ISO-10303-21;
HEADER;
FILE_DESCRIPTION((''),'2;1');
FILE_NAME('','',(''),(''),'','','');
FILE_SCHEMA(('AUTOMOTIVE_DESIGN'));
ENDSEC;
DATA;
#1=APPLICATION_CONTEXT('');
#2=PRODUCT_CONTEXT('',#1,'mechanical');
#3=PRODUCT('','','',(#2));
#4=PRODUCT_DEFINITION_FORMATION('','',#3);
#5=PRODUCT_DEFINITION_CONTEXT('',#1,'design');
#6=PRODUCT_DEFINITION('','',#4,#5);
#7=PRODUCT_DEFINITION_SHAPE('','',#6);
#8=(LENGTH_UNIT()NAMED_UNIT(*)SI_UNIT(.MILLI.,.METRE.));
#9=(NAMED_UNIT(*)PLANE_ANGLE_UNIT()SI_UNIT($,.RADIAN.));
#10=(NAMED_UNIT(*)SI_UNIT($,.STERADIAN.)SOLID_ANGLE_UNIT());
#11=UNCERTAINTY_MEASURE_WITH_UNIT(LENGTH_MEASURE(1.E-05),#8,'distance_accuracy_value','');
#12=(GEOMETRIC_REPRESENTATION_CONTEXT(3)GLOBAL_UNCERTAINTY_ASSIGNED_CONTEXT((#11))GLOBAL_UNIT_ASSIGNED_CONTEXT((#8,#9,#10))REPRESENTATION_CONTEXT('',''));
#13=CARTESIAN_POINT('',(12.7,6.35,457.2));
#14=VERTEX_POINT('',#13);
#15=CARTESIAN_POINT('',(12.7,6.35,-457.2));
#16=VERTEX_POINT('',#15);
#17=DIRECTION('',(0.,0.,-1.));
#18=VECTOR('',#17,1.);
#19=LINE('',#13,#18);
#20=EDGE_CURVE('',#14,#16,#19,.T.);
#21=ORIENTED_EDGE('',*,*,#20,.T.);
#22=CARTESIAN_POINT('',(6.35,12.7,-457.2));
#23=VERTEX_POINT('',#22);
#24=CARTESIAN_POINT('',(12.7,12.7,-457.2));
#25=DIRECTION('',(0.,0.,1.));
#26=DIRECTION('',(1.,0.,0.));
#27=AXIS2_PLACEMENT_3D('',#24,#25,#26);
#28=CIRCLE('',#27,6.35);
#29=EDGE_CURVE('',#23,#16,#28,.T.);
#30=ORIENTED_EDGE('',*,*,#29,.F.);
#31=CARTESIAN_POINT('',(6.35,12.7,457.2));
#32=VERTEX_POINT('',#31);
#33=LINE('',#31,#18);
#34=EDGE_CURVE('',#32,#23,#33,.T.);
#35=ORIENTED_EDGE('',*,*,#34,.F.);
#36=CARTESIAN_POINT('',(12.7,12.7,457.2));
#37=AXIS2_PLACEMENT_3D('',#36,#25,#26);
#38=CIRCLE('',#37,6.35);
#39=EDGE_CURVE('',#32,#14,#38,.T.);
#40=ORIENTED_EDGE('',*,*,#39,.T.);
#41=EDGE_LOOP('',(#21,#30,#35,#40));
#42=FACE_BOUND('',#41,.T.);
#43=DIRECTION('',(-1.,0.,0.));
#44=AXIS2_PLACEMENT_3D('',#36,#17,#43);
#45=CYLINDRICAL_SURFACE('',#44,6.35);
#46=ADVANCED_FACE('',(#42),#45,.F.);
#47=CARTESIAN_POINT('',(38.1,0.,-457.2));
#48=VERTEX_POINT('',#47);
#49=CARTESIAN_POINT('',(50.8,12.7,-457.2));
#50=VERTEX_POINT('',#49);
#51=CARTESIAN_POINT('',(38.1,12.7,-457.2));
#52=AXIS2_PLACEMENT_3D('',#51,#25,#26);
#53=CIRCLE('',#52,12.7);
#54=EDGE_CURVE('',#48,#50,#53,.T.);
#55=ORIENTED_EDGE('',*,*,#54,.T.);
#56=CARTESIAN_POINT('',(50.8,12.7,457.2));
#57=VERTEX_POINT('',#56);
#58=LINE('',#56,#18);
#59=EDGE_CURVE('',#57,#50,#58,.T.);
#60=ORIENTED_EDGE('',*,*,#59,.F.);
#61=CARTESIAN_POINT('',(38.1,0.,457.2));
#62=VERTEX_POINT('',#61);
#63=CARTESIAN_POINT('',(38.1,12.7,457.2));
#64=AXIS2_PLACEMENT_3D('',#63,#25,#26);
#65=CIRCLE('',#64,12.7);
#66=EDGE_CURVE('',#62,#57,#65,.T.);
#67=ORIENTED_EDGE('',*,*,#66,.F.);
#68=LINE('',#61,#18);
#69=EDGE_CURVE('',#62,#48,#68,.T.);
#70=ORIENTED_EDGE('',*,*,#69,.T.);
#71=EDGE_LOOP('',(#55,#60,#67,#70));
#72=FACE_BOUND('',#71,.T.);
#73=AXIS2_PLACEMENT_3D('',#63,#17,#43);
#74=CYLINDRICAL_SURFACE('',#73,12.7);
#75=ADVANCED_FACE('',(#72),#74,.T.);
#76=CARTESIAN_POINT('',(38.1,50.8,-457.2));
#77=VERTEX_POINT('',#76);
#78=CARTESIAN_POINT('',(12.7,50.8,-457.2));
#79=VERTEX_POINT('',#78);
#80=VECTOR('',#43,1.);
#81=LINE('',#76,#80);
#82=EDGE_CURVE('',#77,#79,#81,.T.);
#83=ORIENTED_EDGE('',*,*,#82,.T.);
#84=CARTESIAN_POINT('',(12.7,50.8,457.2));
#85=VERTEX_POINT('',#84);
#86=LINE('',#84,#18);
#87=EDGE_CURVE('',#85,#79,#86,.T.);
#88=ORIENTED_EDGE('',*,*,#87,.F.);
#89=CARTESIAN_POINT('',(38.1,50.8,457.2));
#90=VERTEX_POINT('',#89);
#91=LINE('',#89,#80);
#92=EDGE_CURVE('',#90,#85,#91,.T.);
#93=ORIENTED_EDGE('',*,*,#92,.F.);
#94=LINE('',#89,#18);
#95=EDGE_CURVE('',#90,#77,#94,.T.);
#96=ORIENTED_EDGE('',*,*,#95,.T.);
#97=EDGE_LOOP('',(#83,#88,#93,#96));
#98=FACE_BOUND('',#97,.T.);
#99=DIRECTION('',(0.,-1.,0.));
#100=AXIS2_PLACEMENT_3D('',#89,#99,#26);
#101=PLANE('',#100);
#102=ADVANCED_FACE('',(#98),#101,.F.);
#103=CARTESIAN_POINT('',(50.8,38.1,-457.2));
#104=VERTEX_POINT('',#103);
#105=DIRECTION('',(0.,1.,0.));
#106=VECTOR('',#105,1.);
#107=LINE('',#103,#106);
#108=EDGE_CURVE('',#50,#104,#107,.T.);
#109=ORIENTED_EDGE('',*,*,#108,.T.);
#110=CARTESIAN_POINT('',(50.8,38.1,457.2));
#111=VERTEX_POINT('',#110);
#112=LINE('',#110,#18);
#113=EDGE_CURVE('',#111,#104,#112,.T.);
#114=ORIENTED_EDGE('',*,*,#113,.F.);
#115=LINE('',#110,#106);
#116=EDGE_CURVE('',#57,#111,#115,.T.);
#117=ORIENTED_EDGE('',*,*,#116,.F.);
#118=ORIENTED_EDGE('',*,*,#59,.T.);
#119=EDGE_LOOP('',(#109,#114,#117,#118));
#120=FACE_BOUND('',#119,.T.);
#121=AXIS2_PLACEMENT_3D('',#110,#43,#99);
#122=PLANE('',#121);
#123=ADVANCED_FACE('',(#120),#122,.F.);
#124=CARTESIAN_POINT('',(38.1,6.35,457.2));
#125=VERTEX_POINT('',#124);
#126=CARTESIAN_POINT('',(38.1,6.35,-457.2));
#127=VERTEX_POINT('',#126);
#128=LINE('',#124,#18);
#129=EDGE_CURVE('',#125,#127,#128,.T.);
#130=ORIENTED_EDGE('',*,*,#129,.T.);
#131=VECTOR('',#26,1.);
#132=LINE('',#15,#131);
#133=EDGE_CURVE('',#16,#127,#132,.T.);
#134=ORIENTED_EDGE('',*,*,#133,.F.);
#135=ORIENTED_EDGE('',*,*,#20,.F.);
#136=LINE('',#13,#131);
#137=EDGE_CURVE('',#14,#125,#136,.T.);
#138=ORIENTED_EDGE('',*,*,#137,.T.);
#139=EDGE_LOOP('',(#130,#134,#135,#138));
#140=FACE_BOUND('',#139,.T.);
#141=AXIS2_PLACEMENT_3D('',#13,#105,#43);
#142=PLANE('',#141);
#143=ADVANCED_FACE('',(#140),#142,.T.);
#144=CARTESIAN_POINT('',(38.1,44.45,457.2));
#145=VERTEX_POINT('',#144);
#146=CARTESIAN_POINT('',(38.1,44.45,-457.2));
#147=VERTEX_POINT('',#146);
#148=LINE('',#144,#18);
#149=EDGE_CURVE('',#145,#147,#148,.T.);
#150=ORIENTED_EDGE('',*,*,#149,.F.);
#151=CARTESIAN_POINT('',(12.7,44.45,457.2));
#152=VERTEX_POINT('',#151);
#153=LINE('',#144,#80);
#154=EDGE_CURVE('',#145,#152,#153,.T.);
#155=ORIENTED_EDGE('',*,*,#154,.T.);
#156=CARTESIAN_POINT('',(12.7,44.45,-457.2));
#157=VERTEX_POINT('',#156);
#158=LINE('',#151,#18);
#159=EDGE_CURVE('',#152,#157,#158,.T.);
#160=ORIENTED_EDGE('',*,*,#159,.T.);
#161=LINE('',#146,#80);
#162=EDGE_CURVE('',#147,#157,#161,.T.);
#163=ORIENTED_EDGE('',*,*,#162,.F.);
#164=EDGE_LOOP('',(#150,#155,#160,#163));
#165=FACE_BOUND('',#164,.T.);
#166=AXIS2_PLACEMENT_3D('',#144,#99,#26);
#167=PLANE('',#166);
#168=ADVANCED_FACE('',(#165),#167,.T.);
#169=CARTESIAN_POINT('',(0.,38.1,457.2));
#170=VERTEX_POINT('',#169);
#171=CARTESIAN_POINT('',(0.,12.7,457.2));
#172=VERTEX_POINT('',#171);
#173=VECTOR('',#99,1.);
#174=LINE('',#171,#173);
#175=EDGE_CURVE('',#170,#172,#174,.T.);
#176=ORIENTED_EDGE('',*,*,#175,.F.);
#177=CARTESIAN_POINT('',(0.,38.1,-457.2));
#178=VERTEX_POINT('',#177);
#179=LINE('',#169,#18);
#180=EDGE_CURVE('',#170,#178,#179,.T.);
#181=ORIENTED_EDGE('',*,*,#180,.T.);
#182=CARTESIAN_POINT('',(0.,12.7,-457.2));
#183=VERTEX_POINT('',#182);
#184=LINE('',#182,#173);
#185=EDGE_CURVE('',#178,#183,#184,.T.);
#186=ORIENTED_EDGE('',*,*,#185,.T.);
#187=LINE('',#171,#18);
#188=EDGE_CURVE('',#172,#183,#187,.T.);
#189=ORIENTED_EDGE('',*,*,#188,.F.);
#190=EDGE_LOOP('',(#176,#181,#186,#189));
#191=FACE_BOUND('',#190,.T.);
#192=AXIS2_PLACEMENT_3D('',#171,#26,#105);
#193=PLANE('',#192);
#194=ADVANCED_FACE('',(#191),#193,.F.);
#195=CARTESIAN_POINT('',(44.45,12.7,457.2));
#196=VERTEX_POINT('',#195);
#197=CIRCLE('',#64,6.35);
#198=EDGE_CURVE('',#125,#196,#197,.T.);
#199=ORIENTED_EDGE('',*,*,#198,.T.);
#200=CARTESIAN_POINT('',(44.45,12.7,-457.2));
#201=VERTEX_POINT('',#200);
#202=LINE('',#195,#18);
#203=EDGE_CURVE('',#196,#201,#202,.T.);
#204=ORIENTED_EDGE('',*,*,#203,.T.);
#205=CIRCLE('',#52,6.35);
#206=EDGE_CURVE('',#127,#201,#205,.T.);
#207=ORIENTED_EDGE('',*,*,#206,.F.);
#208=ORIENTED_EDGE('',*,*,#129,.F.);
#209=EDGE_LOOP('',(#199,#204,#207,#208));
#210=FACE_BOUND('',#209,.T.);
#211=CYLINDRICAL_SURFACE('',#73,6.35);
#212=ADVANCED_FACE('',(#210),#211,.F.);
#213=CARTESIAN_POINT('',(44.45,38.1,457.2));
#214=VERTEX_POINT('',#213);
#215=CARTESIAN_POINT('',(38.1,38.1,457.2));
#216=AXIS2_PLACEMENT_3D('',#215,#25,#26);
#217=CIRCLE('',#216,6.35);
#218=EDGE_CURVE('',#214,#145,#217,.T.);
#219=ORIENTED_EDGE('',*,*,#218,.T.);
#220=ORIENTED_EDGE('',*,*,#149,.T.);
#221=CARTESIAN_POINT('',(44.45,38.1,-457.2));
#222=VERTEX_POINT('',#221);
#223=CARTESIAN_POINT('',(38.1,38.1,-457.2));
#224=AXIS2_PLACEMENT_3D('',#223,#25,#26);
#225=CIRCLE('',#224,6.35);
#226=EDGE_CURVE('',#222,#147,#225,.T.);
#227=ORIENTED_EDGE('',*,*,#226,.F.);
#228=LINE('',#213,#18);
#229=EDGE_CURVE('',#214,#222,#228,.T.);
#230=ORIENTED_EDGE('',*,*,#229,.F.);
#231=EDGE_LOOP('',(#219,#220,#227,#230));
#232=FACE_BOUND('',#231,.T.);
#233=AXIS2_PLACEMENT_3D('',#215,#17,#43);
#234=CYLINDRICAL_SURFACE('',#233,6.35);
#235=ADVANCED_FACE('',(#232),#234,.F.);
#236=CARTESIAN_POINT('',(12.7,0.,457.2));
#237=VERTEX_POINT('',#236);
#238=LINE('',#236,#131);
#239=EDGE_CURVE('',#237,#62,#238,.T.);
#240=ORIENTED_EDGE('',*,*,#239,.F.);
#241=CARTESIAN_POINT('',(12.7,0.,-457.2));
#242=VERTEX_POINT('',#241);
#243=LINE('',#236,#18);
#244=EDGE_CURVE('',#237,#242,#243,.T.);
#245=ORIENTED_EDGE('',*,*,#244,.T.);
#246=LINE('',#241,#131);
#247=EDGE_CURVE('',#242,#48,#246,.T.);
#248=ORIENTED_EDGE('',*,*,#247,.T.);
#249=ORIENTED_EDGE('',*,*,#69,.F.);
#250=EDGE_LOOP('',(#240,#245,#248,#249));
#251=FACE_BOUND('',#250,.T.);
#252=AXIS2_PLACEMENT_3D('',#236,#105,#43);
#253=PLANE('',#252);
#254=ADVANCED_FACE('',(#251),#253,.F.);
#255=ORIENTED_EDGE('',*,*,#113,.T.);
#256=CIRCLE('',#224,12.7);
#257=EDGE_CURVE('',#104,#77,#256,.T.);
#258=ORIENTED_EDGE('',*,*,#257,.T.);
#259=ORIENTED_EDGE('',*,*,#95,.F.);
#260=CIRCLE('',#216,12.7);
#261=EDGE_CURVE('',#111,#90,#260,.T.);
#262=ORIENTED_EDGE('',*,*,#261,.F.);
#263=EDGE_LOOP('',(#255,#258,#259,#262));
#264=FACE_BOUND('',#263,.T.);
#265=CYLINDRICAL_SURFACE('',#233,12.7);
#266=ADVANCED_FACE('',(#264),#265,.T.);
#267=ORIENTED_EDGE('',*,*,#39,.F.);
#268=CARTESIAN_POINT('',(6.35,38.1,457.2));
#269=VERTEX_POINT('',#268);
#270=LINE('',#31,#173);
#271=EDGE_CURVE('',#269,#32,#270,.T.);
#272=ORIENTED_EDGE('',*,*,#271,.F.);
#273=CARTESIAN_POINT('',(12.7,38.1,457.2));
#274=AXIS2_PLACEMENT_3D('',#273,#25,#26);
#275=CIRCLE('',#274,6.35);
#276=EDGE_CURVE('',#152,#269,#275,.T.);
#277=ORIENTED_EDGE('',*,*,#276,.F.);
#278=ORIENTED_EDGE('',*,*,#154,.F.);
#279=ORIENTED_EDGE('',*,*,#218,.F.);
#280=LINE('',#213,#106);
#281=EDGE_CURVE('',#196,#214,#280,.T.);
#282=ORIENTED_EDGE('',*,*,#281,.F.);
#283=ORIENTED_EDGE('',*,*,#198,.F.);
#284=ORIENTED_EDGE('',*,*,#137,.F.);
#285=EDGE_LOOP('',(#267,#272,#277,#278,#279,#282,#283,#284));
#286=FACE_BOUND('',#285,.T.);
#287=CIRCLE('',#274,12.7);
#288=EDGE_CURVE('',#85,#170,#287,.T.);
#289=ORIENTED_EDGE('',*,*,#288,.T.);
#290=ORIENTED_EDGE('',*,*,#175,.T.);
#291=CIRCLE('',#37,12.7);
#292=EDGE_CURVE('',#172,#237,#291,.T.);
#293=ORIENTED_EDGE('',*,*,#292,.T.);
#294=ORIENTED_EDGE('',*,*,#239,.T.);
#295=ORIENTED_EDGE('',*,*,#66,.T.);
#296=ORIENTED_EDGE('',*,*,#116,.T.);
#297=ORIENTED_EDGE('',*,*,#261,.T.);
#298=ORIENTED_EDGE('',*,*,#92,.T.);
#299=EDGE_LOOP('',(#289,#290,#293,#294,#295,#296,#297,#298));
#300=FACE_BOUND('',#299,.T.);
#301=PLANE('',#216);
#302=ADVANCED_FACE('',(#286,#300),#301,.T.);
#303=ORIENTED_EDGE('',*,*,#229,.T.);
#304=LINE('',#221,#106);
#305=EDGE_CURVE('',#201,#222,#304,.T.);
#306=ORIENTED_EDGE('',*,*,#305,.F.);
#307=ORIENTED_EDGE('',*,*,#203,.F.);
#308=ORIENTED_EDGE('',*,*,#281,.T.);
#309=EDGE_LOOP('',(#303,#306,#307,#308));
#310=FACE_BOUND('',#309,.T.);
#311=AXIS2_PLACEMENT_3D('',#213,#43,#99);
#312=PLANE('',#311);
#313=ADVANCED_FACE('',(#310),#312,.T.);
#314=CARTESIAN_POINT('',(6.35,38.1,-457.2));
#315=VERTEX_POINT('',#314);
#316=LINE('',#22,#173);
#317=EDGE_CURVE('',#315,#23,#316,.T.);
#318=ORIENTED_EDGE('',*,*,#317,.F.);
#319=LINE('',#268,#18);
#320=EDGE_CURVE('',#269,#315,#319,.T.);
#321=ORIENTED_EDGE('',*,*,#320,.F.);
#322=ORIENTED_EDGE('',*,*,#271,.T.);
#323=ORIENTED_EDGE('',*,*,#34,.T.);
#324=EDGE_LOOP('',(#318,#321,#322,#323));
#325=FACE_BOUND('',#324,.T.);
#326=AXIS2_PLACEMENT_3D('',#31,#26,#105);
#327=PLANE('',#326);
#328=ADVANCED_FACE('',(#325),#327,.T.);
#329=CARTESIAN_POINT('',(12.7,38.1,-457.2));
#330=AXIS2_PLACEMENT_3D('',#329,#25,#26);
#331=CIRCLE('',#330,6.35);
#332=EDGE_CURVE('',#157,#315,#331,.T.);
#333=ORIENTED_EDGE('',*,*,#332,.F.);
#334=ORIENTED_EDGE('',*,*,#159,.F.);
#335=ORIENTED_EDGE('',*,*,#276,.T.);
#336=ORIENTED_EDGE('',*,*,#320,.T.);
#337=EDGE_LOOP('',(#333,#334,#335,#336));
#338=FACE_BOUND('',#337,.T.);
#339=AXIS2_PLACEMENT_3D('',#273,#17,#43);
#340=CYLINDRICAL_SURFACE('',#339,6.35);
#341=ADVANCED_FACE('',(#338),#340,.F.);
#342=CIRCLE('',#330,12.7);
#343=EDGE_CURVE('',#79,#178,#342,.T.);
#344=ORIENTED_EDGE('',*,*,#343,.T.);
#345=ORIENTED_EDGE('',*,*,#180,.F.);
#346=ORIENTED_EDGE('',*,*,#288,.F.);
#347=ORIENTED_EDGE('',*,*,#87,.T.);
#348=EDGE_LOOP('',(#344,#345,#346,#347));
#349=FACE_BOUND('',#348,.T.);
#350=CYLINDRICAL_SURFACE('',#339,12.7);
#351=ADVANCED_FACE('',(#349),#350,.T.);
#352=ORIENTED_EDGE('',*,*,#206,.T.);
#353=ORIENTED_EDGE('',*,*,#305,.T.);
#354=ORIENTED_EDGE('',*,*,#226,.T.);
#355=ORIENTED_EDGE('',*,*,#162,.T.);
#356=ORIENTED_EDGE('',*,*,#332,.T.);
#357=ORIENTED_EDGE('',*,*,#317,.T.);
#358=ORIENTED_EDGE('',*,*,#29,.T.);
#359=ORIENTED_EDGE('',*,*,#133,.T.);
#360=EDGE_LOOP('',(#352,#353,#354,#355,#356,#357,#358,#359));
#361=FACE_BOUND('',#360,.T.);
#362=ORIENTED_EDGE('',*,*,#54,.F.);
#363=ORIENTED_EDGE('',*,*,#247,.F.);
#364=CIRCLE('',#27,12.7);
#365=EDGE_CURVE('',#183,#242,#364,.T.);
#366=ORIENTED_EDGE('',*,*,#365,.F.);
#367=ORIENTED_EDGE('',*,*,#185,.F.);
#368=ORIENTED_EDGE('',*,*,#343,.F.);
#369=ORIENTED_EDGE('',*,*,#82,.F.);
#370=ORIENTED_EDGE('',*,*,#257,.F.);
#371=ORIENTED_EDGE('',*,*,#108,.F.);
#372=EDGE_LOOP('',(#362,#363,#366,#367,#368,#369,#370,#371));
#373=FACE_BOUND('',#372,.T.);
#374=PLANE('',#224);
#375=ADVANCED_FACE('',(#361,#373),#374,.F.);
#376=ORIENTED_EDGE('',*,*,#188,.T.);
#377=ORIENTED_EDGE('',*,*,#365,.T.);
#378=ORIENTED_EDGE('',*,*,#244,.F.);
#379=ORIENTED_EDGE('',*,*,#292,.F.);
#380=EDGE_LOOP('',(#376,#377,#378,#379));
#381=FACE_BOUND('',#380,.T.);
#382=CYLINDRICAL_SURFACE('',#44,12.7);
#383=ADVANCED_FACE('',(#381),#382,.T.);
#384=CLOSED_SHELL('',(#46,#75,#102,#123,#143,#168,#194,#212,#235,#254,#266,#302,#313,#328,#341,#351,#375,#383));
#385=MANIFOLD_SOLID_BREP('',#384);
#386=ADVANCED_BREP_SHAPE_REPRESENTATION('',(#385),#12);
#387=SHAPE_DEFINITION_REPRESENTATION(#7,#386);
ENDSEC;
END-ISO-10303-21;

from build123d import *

# Parameters (mm, degrees)
BOSS_EXTRUDE1_DEPTH = 457.2


with BuildPart() as part:
    # Sketch1 → Boss-Extrude1 (new body, symmetric)
    with BuildSketch(Plane.XY):
        with BuildLine():
            Line((12.7, 0), (38.1, 0))
            ThreePointArc((38.1, 0), (47.080256121, 3.719743879), (50.8, 12.7))
            Line((50.8, 12.7), (50.8, 38.1))
            ThreePointArc((50.8, 38.1), (47.080256121, 47.080256121), (38.1, 50.8))
            Line((38.1, 50.8), (12.7, 50.8))
            ThreePointArc((12.7, 50.8), (3.719743879, 47.080256121), (0, 38.1))
            Line((0, 38.1), (0, 12.7))
            ThreePointArc((0, 12.7), (3.719743879, 3.719743879), (12.7, 0))
        make_face()
        with BuildLine():
            Line((12.7, 6.35), (38.1, 6.35))
            ThreePointArc((38.1, 6.35), (42.590128061, 8.209871939), (44.45, 12.7))
            Line((44.45, 12.7), (44.45, 38.1))
            ThreePointArc((44.45, 38.1), (42.590128061, 42.590128061), (38.1, 44.45))
            Line((38.1, 44.45), (12.7, 44.45))
            ThreePointArc((12.7, 44.45), (8.209871939, 42.590128061), (6.35, 38.1))
            Line((6.35, 38.1), (6.35, 12.7))
            ThreePointArc((6.35, 12.7), (8.209871939, 8.209871939), (12.7, 6.35))
        make_face(mode=Mode.SUBTRACT)
    extrude(amount=BOSS_EXTRUDE1_DEPTH, both=True)


solid = part.part
